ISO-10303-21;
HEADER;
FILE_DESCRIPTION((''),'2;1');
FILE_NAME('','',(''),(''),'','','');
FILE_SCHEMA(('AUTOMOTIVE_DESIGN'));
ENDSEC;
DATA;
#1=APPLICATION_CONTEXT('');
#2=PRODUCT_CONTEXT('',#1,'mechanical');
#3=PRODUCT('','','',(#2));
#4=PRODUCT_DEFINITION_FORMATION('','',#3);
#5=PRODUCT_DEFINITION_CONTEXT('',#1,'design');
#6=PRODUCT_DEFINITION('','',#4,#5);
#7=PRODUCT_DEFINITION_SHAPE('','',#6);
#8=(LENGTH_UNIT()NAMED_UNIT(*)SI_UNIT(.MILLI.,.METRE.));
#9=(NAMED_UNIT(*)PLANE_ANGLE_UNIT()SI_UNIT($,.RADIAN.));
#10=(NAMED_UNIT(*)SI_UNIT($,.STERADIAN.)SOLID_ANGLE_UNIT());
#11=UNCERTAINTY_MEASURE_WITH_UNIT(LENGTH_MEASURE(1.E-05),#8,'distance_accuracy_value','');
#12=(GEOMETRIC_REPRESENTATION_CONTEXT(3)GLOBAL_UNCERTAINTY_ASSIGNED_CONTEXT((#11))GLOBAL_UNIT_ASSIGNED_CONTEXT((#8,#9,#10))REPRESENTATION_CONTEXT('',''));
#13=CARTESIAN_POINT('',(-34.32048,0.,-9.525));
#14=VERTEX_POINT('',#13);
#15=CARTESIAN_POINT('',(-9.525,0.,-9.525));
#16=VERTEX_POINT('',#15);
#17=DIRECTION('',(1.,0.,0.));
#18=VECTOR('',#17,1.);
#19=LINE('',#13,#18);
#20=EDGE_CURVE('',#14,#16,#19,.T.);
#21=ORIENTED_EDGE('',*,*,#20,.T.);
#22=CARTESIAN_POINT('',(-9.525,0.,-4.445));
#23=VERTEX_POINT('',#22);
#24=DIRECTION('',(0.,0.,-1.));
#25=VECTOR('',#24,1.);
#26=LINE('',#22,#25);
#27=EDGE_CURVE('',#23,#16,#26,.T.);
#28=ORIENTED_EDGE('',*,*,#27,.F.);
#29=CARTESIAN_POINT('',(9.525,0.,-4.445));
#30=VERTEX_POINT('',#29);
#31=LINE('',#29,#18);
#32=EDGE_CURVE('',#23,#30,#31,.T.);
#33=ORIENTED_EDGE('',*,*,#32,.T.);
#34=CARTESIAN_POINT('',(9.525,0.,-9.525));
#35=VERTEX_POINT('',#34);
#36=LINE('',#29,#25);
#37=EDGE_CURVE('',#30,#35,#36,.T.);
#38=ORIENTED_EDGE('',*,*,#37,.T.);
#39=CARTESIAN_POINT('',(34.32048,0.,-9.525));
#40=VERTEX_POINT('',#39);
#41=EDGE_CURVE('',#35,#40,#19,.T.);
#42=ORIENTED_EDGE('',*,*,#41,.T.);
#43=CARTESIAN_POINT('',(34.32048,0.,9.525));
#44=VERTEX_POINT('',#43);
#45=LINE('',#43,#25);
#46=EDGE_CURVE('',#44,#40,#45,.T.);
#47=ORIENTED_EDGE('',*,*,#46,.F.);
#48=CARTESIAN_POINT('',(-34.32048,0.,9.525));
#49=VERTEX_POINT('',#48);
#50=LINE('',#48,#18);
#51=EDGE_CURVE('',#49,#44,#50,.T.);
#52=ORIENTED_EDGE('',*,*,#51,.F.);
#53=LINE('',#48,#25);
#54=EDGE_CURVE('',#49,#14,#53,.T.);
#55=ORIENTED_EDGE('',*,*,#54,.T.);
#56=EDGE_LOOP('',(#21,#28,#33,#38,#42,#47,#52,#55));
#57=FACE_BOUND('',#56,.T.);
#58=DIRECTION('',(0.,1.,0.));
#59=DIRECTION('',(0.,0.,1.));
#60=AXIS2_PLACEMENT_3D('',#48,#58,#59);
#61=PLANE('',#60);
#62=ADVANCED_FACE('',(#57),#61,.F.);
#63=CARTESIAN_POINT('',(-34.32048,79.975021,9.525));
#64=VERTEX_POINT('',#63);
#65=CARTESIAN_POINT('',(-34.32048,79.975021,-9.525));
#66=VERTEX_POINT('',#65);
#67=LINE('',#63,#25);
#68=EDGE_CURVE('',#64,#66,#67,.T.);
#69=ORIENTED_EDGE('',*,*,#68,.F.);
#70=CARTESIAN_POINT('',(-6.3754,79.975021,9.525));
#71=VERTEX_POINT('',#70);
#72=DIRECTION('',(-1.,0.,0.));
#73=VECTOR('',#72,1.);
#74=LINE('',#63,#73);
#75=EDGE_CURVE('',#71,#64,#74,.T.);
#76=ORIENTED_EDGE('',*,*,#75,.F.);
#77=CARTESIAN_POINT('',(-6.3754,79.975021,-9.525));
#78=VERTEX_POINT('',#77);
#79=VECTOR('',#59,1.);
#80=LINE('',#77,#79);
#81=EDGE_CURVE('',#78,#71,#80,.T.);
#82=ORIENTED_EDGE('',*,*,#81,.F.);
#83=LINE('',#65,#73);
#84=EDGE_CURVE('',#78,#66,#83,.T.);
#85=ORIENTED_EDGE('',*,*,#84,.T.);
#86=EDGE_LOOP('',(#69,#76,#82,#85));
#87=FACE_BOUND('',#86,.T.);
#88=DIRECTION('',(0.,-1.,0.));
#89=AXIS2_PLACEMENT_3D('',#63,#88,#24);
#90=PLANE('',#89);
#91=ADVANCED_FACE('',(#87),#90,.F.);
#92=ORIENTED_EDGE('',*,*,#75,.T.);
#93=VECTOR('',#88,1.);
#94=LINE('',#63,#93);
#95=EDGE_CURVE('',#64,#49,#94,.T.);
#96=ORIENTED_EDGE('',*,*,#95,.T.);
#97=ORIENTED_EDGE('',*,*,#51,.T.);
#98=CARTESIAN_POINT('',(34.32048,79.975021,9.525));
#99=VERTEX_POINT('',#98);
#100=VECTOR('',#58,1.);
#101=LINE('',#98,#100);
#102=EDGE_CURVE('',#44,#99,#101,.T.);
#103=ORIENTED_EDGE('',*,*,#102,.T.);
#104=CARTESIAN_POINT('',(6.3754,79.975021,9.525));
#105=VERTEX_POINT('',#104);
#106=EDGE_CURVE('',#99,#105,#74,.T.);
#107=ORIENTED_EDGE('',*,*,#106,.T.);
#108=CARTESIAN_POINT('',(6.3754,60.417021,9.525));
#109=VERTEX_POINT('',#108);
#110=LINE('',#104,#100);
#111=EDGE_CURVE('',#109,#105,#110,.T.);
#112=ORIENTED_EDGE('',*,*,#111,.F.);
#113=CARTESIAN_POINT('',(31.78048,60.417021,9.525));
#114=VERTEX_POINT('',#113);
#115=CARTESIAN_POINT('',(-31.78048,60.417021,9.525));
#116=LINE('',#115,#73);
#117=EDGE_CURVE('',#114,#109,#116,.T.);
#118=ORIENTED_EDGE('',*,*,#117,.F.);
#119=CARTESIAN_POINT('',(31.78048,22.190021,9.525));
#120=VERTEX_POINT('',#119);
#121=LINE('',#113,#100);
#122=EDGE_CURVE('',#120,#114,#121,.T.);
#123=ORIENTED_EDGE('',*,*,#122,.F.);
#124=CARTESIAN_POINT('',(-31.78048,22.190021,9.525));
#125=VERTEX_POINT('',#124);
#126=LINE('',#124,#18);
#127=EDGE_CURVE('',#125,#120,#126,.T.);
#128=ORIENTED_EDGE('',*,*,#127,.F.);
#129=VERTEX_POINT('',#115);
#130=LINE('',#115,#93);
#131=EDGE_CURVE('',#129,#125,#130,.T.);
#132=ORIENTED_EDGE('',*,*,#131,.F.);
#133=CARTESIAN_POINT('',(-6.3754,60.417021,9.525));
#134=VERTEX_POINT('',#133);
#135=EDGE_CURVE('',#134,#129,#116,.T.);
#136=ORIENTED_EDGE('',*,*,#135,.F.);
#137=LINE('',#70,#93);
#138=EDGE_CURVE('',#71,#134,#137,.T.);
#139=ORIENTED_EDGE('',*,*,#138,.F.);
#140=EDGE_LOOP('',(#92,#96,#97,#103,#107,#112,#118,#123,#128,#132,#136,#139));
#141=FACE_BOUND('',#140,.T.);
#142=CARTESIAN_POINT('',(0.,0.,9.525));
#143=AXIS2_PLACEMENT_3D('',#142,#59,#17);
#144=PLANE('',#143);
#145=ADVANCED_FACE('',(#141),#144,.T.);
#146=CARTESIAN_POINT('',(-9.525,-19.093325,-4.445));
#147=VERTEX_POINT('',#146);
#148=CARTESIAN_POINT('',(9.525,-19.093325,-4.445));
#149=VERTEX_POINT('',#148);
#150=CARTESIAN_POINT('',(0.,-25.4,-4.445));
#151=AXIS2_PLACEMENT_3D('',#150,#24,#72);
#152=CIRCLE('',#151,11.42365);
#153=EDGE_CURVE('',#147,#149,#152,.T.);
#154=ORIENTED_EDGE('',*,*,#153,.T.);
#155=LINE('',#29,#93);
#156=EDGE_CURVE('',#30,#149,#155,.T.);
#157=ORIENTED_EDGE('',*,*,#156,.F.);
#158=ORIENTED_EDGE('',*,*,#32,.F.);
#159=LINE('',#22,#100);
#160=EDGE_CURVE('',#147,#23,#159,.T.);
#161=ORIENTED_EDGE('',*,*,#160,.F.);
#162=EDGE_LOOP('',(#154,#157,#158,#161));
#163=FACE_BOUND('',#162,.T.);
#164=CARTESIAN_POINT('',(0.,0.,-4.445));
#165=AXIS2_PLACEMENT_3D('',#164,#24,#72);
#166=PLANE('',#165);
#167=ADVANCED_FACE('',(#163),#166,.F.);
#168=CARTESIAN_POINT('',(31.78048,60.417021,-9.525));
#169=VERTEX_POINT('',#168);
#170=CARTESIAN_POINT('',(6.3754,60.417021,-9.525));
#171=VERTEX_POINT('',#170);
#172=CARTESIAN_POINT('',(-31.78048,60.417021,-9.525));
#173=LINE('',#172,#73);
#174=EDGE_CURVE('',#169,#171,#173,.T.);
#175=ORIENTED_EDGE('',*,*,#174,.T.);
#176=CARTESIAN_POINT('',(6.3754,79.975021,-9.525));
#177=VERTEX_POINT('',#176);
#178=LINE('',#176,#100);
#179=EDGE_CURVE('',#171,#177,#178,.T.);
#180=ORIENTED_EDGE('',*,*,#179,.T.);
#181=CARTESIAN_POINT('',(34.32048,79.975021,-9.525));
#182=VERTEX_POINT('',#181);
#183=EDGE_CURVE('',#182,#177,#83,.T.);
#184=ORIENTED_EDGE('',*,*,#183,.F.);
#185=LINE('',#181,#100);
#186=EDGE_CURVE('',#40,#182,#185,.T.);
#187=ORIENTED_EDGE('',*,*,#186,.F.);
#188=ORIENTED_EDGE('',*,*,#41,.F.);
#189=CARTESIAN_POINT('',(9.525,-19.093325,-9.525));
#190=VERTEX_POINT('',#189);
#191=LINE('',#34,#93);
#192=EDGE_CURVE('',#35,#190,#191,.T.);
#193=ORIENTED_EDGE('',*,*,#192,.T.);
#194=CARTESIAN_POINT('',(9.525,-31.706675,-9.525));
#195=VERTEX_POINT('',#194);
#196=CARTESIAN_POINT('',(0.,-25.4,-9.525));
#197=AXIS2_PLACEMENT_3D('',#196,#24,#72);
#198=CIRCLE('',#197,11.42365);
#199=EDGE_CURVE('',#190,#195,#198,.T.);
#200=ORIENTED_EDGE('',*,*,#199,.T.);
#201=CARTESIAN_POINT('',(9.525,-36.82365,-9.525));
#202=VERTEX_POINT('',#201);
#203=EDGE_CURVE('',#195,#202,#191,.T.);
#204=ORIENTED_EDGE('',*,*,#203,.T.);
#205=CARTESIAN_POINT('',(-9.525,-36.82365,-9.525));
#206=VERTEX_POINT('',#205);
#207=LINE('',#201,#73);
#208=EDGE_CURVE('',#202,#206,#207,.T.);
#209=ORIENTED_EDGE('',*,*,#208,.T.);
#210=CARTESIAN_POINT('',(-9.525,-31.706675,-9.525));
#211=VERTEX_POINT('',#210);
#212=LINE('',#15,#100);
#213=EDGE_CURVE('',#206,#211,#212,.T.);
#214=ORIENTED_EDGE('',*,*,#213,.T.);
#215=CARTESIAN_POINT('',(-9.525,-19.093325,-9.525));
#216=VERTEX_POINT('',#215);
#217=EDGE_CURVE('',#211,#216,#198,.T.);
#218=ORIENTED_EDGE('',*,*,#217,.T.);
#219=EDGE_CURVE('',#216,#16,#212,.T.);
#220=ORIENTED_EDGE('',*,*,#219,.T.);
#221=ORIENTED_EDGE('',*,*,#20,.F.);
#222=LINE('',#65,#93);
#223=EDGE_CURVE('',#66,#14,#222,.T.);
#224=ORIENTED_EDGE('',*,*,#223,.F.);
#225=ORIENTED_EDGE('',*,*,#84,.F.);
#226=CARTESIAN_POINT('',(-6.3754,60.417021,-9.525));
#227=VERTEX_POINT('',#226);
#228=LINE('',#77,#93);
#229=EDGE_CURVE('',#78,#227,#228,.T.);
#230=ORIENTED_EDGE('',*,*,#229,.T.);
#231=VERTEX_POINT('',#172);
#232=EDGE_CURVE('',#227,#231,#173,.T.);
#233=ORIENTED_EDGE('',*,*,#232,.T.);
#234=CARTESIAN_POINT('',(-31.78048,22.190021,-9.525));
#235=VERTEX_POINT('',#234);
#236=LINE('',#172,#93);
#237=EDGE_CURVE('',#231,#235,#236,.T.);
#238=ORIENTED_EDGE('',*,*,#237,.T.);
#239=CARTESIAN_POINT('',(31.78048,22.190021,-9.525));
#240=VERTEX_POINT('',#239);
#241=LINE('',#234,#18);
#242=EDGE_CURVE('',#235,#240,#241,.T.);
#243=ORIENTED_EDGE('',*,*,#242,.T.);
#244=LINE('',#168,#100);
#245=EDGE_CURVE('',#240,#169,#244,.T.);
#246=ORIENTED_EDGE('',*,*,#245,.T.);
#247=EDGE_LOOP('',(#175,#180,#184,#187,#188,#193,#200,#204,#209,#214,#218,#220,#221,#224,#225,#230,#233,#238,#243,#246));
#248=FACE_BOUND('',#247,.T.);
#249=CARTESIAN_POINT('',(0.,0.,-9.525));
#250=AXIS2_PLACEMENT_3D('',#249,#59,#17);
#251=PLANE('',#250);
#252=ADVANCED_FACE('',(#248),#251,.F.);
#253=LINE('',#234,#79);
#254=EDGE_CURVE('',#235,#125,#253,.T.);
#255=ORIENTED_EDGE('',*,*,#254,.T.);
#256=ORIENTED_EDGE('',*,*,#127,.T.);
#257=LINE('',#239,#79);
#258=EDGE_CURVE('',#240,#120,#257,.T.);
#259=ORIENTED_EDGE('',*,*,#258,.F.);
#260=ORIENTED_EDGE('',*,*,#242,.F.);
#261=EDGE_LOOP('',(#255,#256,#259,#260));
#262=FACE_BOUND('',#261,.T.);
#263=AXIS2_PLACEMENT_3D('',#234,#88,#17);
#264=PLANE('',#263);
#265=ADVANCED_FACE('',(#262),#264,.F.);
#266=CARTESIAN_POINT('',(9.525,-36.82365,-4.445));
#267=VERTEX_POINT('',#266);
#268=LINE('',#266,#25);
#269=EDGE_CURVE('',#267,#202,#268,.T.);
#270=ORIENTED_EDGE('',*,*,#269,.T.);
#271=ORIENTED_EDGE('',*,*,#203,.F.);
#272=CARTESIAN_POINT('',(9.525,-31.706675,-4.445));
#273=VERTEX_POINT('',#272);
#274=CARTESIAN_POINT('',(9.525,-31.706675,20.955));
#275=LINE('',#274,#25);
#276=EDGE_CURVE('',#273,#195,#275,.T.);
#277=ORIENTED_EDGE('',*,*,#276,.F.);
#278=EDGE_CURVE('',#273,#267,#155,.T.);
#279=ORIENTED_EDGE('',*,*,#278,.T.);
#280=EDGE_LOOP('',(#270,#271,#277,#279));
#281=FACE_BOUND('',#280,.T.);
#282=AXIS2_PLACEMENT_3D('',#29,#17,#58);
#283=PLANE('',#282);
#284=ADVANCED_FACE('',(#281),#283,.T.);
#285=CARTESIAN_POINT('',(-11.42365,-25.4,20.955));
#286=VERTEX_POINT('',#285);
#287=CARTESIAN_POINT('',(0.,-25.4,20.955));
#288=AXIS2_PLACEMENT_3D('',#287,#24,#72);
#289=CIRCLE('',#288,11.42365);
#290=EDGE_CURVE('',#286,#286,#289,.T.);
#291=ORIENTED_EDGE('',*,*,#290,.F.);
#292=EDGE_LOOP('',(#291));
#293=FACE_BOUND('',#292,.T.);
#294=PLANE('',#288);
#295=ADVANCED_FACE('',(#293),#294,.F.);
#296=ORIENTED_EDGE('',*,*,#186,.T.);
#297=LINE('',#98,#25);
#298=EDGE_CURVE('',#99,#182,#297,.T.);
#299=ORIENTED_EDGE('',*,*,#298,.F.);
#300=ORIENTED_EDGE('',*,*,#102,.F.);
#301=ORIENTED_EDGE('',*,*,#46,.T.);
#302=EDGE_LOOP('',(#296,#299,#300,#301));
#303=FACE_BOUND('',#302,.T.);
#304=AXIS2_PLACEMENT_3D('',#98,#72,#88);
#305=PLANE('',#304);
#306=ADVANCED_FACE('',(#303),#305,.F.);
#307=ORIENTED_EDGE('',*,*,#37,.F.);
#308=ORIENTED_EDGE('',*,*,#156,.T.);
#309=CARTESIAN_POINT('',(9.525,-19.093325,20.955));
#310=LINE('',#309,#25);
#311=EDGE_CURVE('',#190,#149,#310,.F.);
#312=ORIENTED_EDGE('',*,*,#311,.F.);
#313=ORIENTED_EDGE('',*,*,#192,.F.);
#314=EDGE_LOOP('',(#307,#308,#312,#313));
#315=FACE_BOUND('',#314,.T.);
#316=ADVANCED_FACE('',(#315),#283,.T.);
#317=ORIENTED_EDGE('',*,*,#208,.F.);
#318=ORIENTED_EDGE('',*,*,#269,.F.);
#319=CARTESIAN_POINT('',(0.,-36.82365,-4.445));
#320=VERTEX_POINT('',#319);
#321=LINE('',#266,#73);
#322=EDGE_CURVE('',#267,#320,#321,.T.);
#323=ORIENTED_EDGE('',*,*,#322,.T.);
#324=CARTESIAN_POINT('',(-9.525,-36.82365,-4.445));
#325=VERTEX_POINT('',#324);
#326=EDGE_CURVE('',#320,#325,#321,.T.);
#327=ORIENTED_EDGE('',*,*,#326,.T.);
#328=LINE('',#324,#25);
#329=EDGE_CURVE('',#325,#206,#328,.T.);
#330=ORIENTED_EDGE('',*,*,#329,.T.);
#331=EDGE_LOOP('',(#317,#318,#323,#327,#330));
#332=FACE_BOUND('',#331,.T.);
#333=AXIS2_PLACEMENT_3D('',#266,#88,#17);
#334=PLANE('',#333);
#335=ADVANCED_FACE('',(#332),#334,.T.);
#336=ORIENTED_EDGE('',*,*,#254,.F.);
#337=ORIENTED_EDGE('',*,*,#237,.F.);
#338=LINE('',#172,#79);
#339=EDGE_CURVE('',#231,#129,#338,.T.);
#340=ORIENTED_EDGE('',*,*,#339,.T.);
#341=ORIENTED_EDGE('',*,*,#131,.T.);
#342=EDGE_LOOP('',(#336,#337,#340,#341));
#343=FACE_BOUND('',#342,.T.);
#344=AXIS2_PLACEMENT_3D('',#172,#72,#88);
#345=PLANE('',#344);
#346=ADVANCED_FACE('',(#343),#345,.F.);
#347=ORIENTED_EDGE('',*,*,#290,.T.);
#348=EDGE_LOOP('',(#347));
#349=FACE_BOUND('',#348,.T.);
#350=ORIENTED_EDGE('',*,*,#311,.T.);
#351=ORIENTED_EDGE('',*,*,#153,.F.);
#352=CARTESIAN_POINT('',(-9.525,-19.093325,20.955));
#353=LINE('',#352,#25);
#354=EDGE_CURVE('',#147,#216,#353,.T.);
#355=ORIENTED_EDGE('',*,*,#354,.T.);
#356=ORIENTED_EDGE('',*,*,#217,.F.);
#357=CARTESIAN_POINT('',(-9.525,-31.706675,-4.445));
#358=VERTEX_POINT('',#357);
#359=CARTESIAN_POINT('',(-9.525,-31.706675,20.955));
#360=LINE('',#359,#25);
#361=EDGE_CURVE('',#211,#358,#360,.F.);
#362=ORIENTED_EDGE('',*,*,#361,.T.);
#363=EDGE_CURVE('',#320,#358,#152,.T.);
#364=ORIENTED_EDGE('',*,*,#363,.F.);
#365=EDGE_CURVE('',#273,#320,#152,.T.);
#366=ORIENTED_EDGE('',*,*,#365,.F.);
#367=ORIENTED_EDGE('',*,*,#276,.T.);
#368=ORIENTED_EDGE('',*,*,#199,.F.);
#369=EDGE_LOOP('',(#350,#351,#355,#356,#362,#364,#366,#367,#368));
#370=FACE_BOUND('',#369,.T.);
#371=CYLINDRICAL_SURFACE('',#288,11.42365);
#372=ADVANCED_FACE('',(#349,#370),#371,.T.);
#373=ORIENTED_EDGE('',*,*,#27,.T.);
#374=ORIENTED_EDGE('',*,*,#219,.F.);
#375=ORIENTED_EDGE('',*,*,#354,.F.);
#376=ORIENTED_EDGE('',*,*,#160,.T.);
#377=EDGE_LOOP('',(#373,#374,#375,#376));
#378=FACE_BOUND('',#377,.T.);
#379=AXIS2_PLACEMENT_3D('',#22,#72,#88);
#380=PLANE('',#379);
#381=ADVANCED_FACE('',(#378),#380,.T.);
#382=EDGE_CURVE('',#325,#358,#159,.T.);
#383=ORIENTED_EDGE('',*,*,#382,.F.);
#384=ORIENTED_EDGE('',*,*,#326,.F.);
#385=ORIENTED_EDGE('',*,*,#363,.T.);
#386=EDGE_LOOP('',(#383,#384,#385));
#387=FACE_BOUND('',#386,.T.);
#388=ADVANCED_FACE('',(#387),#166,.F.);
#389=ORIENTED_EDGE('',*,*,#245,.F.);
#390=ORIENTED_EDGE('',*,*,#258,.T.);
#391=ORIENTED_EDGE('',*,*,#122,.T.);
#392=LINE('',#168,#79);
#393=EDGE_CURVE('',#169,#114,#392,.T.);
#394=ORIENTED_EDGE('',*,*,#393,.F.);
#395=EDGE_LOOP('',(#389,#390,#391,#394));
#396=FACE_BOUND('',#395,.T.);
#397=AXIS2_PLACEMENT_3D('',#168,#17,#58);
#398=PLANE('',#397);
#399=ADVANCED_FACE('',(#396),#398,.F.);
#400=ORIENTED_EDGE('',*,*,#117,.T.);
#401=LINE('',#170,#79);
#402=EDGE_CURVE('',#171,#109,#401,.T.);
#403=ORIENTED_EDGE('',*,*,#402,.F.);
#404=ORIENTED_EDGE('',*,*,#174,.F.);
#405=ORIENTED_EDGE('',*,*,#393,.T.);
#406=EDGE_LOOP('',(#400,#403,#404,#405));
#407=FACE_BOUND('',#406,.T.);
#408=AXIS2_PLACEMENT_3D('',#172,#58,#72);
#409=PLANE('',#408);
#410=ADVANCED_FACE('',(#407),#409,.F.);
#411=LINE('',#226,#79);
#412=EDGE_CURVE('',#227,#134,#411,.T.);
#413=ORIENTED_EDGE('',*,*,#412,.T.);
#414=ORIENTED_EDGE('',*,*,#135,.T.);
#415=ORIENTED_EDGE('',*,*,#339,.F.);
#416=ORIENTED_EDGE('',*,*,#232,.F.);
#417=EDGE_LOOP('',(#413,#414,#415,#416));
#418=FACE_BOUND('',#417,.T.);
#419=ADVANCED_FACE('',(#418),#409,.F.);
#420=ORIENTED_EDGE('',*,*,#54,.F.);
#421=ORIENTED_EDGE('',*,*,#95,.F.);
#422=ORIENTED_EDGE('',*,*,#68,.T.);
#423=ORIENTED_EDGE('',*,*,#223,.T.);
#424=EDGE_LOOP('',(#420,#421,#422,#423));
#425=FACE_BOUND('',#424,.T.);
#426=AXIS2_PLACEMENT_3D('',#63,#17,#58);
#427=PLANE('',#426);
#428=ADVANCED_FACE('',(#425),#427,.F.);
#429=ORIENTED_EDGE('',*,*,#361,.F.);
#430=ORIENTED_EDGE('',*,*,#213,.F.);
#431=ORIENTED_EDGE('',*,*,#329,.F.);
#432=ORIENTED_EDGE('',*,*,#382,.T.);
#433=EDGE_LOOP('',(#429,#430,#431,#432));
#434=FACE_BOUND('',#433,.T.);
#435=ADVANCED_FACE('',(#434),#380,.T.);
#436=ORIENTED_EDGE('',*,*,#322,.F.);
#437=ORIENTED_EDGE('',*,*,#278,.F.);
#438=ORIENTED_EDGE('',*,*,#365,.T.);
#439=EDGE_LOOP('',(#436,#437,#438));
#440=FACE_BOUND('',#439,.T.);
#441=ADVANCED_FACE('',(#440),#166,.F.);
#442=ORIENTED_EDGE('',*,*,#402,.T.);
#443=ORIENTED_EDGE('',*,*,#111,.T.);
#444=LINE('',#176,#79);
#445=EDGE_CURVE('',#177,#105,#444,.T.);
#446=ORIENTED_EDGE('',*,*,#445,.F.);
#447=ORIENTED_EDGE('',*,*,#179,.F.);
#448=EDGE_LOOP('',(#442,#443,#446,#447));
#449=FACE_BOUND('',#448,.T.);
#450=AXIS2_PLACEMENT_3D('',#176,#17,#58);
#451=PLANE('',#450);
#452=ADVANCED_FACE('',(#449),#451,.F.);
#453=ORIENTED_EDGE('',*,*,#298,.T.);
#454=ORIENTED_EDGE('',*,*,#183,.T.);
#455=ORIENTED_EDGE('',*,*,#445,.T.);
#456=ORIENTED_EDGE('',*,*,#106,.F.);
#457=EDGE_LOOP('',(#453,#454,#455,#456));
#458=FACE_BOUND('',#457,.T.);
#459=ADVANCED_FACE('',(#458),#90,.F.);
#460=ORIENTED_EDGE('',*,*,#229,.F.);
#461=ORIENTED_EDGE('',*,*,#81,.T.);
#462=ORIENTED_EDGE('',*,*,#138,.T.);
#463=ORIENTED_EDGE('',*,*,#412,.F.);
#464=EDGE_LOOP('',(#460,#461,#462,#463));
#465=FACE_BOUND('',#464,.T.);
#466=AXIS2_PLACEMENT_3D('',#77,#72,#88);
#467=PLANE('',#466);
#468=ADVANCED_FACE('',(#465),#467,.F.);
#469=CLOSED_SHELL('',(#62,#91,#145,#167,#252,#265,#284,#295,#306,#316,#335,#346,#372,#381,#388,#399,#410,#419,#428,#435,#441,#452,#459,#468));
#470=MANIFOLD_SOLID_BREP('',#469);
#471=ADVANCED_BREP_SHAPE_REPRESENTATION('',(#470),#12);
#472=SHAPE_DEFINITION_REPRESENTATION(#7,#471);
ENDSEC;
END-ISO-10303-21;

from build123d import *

# Parameters (mm, degrees)
SKETCH1_W            = 68.64096
SKETCH1_H            = 79.975020836
MAIN_BODY_DEPTH      = 9.525
SKETCH2_W            = 63.56096
SKETCH2_H            = 38.227
LOWER_T_CAVITY_DEPTH = 90.088729956
SKETCH3_W            = 12.7508
SKETCH3_H            = 19.558
TOP_SLOT_DEPTH       = 90.088729956
SKETCH4_W            = 19.05
SKETCH4_H            = 36.82365
HANGER_DEPTH         = 5.08
SKETCH5_R            = 11.42365
STRAP_PIN_DEPTH      = 30.48


with BuildPart() as part:
    # Sketch1 → Main-Body (new, symmetric)
    with BuildSketch(Plane.XY):
        with Locations((0, 39.987510418)):
            Rectangle(SKETCH1_W, SKETCH1_H)
    extrude(amount=MAIN_BODY_DEPTH, both=True)

    # Sketch2 → Lower-T-Cavity (cut, through all)
    with BuildSketch(Plane.XY.offset(9.525)):
        with Locations((0, 41.303520836)):
            Rectangle(SKETCH2_W, SKETCH2_H)
    extrude(amount=-LOWER_T_CAVITY_DEPTH, mode=Mode.SUBTRACT)

    # Sketch3 → Top-Slot (cut, through all)
    with BuildSketch(Plane.XY.offset(9.525)):
        with Locations((0, 70.196020836)):
            Rectangle(SKETCH3_W, SKETCH3_H)
    extrude(amount=-TOP_SLOT_DEPTH, mode=Mode.SUBTRACT)

    # Sketch4 → Hanger (add)
    with BuildSketch(Plane(origin=(0, 0, -9.525), x_dir=(-1, 0, 0), z_dir=(0, 0, -1))):
        with Locations((0, -18.411825)):
            Rectangle(SKETCH4_W, SKETCH4_H)
    extrude(amount=-HANGER_DEPTH)

    # Sketch5 → Strap-Pin (add)
    with BuildSketch(Plane(origin=(0, 0, -9.525), x_dir=(-1, 0, 0), z_dir=(0, 0, -1))):
        with Locations((0, -25.4)):
            Circle(SKETCH5_R)
    extrude(amount=-STRAP_PIN_DEPTH)


solid = part.part
